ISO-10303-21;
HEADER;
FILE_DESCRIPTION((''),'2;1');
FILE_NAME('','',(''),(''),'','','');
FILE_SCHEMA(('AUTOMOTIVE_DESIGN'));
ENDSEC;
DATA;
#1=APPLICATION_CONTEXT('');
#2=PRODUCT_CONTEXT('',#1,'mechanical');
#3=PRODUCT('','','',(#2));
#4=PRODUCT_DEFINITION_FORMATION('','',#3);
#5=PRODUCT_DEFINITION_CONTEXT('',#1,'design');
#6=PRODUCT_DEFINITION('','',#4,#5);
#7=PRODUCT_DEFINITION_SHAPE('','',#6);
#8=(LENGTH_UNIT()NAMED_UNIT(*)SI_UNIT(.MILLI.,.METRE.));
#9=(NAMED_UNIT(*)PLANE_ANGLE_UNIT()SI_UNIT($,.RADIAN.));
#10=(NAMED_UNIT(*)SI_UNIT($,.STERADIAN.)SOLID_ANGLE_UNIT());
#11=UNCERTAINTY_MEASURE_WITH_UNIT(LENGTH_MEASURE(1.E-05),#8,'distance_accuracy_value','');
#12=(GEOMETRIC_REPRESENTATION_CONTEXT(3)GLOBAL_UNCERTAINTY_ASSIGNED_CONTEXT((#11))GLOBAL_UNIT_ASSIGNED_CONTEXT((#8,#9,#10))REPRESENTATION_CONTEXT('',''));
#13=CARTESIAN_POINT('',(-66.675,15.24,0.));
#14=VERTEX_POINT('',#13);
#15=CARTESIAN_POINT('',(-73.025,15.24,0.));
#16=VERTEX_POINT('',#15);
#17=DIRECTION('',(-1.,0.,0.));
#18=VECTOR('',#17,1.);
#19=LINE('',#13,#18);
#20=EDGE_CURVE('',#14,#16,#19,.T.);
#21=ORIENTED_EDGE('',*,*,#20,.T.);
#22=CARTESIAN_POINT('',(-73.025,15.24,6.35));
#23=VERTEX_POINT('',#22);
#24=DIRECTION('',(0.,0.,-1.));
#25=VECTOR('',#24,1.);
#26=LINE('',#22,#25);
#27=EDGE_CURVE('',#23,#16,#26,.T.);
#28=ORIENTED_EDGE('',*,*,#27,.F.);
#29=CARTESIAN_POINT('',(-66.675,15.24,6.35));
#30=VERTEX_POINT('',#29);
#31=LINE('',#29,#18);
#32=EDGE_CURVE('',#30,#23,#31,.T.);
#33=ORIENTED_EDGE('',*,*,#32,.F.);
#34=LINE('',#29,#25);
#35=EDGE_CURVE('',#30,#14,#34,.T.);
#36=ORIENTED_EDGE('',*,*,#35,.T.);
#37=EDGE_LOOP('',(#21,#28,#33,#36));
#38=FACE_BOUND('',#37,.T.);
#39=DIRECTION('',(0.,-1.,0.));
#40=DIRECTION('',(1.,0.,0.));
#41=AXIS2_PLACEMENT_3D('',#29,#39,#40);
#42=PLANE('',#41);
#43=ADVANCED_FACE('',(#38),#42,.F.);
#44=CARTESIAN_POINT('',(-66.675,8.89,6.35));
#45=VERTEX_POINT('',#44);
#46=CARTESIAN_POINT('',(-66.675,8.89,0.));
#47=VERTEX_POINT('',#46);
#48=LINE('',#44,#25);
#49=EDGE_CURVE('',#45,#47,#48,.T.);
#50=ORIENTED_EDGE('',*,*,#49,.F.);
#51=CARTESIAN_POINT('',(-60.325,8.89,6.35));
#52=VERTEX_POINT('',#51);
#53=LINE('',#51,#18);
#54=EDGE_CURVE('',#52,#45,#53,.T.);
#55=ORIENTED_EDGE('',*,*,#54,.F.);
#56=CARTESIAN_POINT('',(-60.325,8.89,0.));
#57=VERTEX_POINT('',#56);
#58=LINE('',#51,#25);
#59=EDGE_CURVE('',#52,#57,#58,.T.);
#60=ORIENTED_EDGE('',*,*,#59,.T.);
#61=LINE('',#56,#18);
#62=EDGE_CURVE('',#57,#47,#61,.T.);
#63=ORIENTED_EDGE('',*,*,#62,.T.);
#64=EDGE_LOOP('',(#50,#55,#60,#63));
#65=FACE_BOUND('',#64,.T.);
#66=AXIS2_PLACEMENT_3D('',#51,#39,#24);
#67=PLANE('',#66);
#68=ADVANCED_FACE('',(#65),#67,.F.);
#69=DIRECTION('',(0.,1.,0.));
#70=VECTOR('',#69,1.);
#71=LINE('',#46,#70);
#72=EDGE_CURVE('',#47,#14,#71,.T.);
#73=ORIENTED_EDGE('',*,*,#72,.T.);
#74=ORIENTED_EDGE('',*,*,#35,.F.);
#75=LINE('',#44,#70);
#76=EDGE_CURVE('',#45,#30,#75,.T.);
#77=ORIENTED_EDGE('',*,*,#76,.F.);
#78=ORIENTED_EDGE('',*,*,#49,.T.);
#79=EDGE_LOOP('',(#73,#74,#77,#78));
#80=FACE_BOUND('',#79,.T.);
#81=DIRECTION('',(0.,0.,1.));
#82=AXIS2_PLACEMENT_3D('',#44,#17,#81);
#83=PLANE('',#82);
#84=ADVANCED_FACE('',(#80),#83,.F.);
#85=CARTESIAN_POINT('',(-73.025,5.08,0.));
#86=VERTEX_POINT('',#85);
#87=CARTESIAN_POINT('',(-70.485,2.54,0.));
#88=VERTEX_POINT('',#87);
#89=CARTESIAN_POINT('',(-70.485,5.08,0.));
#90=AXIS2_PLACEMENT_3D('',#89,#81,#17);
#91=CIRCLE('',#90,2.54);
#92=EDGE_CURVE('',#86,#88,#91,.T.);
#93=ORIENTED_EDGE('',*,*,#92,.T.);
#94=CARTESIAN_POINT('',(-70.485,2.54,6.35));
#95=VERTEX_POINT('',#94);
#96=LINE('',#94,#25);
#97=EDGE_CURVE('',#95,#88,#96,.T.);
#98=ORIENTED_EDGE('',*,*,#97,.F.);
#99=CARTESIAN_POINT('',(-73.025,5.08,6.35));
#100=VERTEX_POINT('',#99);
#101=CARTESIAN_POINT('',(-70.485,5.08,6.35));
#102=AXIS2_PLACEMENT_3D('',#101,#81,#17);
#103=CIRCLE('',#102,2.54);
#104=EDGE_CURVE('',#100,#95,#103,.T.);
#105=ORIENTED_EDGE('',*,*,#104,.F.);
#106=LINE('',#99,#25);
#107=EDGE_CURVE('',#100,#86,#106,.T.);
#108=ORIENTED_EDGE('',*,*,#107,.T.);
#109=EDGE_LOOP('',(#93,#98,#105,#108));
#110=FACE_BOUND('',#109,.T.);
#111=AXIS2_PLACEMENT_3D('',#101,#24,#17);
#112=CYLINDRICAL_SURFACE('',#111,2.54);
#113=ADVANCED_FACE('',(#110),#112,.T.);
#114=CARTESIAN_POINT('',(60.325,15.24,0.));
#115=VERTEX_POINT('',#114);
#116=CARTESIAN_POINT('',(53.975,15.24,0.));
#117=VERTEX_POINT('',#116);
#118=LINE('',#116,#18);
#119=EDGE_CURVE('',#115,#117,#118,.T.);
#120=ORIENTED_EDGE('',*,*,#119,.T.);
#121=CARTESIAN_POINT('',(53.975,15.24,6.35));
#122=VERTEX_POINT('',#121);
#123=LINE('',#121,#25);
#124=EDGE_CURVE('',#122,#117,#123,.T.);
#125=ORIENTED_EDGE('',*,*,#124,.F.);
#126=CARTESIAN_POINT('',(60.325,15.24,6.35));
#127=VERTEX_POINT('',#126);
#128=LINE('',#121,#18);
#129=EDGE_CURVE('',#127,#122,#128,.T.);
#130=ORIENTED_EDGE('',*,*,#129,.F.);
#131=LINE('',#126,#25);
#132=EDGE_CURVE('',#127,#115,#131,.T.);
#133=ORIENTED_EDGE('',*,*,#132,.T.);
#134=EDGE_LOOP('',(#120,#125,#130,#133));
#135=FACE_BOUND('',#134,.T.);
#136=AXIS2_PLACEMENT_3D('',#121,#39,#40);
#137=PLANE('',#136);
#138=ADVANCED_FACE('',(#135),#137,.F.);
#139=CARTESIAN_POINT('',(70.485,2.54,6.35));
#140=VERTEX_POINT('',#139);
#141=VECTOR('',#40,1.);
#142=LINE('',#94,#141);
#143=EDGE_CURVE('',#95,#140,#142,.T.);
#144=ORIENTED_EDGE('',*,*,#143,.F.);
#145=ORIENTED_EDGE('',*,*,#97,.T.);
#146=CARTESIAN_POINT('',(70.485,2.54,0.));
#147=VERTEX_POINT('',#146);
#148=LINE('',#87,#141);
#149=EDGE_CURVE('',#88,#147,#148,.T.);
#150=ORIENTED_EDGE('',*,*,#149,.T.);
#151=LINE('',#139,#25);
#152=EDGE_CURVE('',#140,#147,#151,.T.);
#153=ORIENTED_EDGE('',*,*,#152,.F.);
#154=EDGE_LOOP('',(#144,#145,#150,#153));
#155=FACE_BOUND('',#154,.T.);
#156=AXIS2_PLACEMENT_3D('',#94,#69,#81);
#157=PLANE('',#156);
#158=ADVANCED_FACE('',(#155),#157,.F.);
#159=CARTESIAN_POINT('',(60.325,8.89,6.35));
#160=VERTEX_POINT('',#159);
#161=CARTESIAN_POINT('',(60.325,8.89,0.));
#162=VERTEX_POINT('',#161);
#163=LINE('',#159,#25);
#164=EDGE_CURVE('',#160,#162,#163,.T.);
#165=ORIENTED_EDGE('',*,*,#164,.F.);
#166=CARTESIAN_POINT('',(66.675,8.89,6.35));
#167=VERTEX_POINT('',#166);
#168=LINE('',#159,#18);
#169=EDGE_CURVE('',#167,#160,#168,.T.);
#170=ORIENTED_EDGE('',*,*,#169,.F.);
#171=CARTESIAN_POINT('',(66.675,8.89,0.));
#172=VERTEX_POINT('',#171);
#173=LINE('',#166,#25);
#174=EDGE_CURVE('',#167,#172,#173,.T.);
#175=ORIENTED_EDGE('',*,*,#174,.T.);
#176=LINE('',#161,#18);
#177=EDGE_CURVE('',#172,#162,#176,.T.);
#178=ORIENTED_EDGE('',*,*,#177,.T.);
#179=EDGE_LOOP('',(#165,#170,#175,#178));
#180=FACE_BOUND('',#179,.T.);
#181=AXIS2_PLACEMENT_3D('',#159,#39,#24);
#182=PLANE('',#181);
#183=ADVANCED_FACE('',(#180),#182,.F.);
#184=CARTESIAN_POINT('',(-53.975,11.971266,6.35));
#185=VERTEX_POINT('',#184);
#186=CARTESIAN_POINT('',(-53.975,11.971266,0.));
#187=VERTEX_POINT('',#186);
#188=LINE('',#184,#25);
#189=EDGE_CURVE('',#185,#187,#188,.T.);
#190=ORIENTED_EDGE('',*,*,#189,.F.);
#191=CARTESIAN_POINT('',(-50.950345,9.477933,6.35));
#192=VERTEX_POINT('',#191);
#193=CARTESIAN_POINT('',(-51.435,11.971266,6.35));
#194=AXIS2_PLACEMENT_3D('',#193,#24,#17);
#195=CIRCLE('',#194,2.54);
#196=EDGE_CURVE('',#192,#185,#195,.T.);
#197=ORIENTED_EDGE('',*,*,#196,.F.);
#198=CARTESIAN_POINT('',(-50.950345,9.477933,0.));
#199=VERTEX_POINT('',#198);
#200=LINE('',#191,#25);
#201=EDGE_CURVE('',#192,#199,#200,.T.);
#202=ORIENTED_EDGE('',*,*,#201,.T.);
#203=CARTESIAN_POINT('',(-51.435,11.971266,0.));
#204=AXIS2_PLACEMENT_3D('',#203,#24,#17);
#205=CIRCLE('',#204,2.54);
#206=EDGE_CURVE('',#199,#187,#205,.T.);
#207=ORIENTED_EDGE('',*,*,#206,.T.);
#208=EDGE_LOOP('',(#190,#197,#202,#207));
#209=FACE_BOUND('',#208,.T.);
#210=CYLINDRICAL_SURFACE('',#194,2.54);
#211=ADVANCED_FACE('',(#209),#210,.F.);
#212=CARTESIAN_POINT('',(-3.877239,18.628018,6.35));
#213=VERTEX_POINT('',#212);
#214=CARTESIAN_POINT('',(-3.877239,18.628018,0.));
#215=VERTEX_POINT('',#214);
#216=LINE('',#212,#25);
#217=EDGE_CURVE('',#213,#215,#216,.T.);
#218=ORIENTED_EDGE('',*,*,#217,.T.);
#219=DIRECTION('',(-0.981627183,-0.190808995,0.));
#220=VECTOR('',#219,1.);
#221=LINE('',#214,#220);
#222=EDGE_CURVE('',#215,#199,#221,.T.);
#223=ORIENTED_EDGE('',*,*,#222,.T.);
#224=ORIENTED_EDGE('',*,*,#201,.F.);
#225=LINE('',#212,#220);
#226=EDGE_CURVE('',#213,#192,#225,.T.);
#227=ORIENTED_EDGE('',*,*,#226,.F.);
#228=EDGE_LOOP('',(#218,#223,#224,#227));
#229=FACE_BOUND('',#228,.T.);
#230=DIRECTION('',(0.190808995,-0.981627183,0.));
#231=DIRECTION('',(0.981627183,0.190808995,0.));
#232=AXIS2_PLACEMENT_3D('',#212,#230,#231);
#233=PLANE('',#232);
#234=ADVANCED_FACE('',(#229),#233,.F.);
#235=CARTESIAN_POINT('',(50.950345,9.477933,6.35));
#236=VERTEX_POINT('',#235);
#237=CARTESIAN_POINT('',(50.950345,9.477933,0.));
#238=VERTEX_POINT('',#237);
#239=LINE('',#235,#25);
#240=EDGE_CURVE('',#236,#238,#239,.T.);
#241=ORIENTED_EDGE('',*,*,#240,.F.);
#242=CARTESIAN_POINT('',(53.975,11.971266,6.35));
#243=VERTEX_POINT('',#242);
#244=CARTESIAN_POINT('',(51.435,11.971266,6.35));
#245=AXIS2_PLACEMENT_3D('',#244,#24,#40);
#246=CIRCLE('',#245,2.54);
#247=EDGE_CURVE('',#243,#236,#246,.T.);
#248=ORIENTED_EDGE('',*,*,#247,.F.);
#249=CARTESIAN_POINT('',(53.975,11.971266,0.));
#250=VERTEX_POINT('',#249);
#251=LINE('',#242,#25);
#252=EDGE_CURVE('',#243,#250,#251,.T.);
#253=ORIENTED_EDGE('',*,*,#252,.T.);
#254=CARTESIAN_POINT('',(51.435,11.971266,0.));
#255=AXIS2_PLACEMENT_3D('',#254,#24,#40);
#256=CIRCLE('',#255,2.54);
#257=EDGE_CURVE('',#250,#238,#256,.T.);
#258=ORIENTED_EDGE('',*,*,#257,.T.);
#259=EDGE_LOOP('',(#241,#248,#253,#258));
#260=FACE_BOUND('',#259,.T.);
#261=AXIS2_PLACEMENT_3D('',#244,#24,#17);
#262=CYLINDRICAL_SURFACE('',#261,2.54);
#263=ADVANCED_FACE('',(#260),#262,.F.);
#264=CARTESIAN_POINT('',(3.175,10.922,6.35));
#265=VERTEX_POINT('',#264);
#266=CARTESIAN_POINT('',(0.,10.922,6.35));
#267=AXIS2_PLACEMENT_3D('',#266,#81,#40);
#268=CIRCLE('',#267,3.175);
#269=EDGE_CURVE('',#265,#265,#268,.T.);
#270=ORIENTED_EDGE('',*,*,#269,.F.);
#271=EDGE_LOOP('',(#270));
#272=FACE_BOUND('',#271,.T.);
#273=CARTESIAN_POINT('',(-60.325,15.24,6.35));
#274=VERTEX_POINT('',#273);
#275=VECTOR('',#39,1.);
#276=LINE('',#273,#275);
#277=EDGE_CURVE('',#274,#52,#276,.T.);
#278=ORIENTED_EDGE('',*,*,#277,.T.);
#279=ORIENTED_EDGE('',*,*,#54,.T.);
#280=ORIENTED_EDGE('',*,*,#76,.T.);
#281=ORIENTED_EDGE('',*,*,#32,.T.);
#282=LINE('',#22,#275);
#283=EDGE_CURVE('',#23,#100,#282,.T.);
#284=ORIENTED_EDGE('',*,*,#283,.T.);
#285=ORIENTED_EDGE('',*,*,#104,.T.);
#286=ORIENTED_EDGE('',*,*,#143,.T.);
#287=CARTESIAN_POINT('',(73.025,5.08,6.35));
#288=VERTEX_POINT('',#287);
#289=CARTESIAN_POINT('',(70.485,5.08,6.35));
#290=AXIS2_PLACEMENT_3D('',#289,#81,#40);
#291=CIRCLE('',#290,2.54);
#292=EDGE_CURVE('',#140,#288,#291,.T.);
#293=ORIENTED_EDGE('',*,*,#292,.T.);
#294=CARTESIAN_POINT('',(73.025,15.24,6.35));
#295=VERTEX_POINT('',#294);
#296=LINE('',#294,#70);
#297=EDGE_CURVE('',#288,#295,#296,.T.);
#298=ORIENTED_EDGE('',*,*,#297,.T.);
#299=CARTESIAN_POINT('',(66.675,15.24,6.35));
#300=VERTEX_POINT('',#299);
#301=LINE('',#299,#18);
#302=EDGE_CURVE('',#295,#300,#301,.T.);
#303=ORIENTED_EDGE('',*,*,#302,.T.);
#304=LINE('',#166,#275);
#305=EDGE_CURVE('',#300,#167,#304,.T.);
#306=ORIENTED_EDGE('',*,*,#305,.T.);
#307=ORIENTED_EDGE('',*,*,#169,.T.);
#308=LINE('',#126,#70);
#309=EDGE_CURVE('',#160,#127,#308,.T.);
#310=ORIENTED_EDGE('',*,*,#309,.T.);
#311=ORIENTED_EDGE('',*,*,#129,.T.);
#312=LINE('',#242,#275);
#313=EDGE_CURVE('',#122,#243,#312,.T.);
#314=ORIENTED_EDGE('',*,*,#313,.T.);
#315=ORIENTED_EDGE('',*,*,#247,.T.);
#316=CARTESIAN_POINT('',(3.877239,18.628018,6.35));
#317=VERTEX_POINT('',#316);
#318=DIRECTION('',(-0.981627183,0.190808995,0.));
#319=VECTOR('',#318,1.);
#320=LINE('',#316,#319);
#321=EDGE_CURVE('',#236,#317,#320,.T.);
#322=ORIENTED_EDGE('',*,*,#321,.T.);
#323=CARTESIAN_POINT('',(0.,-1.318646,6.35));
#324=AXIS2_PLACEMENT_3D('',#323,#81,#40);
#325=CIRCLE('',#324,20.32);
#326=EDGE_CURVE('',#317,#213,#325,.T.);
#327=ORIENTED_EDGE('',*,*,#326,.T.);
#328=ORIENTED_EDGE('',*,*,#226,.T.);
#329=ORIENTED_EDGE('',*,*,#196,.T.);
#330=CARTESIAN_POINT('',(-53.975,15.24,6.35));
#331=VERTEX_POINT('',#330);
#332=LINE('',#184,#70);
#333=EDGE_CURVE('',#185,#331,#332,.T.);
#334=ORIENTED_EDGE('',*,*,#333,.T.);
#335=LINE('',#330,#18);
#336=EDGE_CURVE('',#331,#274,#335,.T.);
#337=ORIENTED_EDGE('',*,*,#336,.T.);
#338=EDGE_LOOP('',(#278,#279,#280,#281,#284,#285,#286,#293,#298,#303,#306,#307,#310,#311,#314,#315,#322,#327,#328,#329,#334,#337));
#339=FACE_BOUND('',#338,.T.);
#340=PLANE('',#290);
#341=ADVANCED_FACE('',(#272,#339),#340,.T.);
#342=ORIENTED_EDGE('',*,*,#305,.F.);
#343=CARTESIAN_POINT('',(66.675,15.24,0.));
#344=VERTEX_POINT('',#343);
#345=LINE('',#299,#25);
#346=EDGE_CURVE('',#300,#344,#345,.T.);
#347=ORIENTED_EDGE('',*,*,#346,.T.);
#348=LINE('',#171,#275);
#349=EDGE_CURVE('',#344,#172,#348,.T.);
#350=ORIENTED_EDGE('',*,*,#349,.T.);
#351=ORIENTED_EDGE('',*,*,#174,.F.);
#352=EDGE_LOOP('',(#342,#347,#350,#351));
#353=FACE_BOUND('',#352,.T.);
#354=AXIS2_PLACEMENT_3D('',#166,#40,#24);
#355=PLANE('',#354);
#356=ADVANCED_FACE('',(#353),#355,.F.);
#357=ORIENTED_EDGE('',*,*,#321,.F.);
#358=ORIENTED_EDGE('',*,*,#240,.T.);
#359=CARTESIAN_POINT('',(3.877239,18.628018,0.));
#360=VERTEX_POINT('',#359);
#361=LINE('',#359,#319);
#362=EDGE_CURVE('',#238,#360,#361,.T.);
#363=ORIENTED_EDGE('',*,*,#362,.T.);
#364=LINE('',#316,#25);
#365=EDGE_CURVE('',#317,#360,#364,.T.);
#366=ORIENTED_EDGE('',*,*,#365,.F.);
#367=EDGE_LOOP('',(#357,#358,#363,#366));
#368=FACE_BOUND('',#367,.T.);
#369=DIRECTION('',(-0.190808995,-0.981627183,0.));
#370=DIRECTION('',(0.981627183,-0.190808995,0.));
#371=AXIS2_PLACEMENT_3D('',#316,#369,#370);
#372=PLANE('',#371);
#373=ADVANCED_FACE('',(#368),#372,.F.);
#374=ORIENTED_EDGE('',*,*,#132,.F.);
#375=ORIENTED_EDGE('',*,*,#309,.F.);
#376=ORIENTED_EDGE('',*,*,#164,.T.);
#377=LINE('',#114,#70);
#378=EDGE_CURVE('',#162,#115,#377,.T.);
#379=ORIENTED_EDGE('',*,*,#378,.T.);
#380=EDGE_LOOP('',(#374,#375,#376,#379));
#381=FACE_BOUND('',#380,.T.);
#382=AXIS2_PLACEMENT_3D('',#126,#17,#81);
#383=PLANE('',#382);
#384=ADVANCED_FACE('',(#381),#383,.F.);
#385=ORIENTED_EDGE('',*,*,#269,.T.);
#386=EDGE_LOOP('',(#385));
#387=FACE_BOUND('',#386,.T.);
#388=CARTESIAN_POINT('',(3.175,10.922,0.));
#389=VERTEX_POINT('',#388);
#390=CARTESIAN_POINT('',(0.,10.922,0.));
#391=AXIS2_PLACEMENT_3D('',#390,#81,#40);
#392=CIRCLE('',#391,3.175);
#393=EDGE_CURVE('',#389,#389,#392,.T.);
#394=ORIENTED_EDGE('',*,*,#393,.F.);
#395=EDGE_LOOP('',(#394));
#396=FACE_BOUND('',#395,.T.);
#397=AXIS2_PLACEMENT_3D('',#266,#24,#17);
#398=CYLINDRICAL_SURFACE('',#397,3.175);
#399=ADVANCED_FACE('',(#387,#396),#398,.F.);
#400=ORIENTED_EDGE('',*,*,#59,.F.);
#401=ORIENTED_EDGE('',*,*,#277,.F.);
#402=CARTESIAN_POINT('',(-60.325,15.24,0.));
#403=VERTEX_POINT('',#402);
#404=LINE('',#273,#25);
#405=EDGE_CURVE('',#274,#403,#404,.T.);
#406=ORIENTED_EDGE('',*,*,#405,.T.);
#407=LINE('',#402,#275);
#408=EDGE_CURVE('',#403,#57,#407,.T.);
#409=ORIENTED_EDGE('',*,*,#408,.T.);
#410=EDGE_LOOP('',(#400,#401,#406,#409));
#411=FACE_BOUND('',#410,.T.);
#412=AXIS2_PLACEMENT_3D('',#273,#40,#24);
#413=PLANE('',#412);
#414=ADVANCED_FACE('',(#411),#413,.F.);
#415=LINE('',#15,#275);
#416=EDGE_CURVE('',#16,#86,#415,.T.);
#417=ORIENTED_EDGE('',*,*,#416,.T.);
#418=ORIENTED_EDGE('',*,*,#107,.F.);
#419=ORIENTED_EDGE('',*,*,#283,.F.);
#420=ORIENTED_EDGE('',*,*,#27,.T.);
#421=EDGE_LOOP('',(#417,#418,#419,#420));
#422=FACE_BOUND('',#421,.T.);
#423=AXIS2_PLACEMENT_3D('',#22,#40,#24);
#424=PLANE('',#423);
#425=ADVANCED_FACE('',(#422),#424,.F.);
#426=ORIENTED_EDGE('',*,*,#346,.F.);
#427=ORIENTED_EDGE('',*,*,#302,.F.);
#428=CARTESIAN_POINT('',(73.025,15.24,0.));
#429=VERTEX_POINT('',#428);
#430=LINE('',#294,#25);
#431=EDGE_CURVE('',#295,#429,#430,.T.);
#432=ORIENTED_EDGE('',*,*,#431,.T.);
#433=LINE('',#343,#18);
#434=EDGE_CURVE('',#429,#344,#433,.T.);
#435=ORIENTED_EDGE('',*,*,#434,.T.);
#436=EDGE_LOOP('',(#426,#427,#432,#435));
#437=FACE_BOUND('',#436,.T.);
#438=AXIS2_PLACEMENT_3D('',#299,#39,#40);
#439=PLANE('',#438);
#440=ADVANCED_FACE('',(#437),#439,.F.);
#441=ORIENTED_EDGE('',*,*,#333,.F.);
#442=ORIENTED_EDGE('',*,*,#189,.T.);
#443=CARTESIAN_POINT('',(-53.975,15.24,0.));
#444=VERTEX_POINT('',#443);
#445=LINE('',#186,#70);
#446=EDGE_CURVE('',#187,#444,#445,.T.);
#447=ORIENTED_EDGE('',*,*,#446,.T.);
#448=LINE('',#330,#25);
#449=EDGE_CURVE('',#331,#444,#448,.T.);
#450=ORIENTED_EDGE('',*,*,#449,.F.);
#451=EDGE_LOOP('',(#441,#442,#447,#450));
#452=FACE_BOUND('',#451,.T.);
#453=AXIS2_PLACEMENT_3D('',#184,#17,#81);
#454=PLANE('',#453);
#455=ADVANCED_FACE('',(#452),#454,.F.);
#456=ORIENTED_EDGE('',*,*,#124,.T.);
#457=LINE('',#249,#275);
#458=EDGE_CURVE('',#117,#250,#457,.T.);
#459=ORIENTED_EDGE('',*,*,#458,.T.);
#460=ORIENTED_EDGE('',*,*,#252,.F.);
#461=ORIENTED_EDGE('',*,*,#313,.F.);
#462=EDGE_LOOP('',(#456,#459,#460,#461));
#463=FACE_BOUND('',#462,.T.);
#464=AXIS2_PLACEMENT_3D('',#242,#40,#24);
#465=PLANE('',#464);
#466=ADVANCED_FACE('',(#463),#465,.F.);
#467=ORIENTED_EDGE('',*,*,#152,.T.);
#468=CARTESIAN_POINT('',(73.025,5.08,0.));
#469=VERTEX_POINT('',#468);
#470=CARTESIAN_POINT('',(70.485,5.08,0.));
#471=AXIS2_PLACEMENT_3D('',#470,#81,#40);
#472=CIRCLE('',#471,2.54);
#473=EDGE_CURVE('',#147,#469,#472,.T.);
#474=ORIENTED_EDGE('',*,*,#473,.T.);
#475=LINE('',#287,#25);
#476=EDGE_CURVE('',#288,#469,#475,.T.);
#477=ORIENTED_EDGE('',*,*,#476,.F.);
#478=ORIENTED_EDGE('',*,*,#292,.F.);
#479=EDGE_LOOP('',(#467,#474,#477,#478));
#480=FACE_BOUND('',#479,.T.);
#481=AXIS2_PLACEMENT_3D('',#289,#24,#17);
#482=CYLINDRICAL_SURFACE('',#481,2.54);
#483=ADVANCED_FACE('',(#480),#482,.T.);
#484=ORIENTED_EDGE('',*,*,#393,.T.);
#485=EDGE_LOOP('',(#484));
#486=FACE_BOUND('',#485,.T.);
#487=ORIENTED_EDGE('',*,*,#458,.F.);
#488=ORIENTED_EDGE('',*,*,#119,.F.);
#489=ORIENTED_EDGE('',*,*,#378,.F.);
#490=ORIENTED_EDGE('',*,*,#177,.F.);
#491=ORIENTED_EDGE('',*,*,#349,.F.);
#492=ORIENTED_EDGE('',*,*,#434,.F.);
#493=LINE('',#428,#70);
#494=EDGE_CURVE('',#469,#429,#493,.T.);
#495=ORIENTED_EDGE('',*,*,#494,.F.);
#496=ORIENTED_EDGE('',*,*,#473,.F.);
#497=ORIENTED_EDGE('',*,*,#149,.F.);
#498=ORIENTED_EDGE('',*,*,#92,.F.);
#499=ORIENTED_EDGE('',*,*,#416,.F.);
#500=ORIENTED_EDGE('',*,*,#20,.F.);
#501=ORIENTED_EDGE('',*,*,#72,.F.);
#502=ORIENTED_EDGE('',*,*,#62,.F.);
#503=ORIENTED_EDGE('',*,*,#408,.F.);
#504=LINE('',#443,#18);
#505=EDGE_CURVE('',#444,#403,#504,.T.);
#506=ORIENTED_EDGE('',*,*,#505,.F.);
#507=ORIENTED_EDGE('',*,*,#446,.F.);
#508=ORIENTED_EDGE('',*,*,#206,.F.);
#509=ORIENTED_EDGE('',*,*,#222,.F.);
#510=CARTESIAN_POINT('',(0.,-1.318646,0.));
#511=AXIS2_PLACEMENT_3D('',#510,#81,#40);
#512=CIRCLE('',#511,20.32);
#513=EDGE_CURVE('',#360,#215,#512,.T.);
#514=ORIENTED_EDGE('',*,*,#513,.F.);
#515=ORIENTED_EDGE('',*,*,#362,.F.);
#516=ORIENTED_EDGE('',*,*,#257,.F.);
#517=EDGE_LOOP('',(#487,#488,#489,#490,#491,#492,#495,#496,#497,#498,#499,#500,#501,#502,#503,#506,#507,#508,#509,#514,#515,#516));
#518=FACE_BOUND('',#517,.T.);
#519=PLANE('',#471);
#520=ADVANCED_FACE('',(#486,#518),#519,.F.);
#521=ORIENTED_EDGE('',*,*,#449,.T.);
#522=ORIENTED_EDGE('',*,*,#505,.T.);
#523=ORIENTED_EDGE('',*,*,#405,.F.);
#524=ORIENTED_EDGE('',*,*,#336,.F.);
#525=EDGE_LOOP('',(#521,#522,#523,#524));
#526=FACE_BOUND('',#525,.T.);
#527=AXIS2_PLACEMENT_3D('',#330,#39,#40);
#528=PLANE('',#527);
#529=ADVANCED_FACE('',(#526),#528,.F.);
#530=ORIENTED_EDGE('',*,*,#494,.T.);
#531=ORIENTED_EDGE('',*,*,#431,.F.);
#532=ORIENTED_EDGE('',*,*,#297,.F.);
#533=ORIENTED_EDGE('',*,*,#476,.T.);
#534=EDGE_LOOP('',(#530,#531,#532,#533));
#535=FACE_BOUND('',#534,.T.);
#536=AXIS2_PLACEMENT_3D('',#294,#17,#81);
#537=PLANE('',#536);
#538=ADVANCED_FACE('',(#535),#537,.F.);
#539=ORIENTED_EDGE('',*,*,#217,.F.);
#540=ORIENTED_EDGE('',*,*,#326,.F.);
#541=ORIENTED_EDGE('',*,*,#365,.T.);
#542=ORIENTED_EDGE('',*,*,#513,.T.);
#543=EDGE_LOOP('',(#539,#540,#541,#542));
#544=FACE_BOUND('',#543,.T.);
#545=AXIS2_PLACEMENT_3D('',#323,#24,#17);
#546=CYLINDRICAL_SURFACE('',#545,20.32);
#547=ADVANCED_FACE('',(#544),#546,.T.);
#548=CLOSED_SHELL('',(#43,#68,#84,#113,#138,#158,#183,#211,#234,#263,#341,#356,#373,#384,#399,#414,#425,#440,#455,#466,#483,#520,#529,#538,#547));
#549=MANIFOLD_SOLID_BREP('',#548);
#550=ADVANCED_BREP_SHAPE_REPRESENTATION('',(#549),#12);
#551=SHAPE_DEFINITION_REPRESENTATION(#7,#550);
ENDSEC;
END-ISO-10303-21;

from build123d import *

# Parameters (mm, degrees)
SKETCH2_R      = 3.175
EXTRUDE1_DEPTH = 6.35


with BuildPart() as part:
    # Sketch2 → Extrude1 (new body)
    with BuildSketch(Plane.XY):
        with BuildLine():
            Line((-3.877238786, 18.628018312), (-50.950345152, 9.477933344))
            ThreePointArc((-50.950345152, 9.477933344), (-53.05063868, 10.011339949), (-53.975, 11.97126639))
            Line((-53.975, 11.97126639), (-53.975, 15.24))
            Line((-53.975, 15.24), (-60.325, 15.24))
            Line((-60.325, 15.24), (-60.325, 8.89))
            Line((-60.325, 8.89), (-66.675, 8.89))
            Line((-66.675, 8.89), (-66.675, 15.24))
            Line((-66.675, 15.24), (-73.025, 15.24))
            Line((-73.025, 15.24), (-73.025, 5.08))
            ThreePointArc((-73.025, 5.08), (-72.281051224, 3.283948776), (-70.485, 2.54))
            Line((-70.485, 2.54), (70.485, 2.54))
            ThreePointArc((70.485, 2.54), (72.281051224, 3.283948776), (73.025, 5.08))
            Line((73.025, 5.08), (73.025, 15.24))
            Line((73.025, 15.24), (66.675, 15.24))
            Line((66.675, 15.24), (66.675, 8.89))
            Line((66.675, 8.89), (60.325, 8.89))
            Line((60.325, 8.89), (60.325, 15.24))
            Line((60.325, 15.24), (53.975, 15.24))
            Line((53.975, 15.24), (53.975, 11.97126639))
            ThreePointArc((53.975, 11.97126639), (53.05063868, 10.011339949), (50.950345152, 9.477933344))
            Line((50.950345152, 9.477933344), (3.877238786, 18.628018312))
            ThreePointArc((3.877238786, 18.628018312), (0, 19.001353944), (-3.877238786, 18.628018312))
        make_face()
        with Locations((0, 10.922)):
            Circle(SKETCH2_R, mode=Mode.SUBTRACT)
    extrude(amount=EXTRUDE1_DEPTH)


solid = part.part
